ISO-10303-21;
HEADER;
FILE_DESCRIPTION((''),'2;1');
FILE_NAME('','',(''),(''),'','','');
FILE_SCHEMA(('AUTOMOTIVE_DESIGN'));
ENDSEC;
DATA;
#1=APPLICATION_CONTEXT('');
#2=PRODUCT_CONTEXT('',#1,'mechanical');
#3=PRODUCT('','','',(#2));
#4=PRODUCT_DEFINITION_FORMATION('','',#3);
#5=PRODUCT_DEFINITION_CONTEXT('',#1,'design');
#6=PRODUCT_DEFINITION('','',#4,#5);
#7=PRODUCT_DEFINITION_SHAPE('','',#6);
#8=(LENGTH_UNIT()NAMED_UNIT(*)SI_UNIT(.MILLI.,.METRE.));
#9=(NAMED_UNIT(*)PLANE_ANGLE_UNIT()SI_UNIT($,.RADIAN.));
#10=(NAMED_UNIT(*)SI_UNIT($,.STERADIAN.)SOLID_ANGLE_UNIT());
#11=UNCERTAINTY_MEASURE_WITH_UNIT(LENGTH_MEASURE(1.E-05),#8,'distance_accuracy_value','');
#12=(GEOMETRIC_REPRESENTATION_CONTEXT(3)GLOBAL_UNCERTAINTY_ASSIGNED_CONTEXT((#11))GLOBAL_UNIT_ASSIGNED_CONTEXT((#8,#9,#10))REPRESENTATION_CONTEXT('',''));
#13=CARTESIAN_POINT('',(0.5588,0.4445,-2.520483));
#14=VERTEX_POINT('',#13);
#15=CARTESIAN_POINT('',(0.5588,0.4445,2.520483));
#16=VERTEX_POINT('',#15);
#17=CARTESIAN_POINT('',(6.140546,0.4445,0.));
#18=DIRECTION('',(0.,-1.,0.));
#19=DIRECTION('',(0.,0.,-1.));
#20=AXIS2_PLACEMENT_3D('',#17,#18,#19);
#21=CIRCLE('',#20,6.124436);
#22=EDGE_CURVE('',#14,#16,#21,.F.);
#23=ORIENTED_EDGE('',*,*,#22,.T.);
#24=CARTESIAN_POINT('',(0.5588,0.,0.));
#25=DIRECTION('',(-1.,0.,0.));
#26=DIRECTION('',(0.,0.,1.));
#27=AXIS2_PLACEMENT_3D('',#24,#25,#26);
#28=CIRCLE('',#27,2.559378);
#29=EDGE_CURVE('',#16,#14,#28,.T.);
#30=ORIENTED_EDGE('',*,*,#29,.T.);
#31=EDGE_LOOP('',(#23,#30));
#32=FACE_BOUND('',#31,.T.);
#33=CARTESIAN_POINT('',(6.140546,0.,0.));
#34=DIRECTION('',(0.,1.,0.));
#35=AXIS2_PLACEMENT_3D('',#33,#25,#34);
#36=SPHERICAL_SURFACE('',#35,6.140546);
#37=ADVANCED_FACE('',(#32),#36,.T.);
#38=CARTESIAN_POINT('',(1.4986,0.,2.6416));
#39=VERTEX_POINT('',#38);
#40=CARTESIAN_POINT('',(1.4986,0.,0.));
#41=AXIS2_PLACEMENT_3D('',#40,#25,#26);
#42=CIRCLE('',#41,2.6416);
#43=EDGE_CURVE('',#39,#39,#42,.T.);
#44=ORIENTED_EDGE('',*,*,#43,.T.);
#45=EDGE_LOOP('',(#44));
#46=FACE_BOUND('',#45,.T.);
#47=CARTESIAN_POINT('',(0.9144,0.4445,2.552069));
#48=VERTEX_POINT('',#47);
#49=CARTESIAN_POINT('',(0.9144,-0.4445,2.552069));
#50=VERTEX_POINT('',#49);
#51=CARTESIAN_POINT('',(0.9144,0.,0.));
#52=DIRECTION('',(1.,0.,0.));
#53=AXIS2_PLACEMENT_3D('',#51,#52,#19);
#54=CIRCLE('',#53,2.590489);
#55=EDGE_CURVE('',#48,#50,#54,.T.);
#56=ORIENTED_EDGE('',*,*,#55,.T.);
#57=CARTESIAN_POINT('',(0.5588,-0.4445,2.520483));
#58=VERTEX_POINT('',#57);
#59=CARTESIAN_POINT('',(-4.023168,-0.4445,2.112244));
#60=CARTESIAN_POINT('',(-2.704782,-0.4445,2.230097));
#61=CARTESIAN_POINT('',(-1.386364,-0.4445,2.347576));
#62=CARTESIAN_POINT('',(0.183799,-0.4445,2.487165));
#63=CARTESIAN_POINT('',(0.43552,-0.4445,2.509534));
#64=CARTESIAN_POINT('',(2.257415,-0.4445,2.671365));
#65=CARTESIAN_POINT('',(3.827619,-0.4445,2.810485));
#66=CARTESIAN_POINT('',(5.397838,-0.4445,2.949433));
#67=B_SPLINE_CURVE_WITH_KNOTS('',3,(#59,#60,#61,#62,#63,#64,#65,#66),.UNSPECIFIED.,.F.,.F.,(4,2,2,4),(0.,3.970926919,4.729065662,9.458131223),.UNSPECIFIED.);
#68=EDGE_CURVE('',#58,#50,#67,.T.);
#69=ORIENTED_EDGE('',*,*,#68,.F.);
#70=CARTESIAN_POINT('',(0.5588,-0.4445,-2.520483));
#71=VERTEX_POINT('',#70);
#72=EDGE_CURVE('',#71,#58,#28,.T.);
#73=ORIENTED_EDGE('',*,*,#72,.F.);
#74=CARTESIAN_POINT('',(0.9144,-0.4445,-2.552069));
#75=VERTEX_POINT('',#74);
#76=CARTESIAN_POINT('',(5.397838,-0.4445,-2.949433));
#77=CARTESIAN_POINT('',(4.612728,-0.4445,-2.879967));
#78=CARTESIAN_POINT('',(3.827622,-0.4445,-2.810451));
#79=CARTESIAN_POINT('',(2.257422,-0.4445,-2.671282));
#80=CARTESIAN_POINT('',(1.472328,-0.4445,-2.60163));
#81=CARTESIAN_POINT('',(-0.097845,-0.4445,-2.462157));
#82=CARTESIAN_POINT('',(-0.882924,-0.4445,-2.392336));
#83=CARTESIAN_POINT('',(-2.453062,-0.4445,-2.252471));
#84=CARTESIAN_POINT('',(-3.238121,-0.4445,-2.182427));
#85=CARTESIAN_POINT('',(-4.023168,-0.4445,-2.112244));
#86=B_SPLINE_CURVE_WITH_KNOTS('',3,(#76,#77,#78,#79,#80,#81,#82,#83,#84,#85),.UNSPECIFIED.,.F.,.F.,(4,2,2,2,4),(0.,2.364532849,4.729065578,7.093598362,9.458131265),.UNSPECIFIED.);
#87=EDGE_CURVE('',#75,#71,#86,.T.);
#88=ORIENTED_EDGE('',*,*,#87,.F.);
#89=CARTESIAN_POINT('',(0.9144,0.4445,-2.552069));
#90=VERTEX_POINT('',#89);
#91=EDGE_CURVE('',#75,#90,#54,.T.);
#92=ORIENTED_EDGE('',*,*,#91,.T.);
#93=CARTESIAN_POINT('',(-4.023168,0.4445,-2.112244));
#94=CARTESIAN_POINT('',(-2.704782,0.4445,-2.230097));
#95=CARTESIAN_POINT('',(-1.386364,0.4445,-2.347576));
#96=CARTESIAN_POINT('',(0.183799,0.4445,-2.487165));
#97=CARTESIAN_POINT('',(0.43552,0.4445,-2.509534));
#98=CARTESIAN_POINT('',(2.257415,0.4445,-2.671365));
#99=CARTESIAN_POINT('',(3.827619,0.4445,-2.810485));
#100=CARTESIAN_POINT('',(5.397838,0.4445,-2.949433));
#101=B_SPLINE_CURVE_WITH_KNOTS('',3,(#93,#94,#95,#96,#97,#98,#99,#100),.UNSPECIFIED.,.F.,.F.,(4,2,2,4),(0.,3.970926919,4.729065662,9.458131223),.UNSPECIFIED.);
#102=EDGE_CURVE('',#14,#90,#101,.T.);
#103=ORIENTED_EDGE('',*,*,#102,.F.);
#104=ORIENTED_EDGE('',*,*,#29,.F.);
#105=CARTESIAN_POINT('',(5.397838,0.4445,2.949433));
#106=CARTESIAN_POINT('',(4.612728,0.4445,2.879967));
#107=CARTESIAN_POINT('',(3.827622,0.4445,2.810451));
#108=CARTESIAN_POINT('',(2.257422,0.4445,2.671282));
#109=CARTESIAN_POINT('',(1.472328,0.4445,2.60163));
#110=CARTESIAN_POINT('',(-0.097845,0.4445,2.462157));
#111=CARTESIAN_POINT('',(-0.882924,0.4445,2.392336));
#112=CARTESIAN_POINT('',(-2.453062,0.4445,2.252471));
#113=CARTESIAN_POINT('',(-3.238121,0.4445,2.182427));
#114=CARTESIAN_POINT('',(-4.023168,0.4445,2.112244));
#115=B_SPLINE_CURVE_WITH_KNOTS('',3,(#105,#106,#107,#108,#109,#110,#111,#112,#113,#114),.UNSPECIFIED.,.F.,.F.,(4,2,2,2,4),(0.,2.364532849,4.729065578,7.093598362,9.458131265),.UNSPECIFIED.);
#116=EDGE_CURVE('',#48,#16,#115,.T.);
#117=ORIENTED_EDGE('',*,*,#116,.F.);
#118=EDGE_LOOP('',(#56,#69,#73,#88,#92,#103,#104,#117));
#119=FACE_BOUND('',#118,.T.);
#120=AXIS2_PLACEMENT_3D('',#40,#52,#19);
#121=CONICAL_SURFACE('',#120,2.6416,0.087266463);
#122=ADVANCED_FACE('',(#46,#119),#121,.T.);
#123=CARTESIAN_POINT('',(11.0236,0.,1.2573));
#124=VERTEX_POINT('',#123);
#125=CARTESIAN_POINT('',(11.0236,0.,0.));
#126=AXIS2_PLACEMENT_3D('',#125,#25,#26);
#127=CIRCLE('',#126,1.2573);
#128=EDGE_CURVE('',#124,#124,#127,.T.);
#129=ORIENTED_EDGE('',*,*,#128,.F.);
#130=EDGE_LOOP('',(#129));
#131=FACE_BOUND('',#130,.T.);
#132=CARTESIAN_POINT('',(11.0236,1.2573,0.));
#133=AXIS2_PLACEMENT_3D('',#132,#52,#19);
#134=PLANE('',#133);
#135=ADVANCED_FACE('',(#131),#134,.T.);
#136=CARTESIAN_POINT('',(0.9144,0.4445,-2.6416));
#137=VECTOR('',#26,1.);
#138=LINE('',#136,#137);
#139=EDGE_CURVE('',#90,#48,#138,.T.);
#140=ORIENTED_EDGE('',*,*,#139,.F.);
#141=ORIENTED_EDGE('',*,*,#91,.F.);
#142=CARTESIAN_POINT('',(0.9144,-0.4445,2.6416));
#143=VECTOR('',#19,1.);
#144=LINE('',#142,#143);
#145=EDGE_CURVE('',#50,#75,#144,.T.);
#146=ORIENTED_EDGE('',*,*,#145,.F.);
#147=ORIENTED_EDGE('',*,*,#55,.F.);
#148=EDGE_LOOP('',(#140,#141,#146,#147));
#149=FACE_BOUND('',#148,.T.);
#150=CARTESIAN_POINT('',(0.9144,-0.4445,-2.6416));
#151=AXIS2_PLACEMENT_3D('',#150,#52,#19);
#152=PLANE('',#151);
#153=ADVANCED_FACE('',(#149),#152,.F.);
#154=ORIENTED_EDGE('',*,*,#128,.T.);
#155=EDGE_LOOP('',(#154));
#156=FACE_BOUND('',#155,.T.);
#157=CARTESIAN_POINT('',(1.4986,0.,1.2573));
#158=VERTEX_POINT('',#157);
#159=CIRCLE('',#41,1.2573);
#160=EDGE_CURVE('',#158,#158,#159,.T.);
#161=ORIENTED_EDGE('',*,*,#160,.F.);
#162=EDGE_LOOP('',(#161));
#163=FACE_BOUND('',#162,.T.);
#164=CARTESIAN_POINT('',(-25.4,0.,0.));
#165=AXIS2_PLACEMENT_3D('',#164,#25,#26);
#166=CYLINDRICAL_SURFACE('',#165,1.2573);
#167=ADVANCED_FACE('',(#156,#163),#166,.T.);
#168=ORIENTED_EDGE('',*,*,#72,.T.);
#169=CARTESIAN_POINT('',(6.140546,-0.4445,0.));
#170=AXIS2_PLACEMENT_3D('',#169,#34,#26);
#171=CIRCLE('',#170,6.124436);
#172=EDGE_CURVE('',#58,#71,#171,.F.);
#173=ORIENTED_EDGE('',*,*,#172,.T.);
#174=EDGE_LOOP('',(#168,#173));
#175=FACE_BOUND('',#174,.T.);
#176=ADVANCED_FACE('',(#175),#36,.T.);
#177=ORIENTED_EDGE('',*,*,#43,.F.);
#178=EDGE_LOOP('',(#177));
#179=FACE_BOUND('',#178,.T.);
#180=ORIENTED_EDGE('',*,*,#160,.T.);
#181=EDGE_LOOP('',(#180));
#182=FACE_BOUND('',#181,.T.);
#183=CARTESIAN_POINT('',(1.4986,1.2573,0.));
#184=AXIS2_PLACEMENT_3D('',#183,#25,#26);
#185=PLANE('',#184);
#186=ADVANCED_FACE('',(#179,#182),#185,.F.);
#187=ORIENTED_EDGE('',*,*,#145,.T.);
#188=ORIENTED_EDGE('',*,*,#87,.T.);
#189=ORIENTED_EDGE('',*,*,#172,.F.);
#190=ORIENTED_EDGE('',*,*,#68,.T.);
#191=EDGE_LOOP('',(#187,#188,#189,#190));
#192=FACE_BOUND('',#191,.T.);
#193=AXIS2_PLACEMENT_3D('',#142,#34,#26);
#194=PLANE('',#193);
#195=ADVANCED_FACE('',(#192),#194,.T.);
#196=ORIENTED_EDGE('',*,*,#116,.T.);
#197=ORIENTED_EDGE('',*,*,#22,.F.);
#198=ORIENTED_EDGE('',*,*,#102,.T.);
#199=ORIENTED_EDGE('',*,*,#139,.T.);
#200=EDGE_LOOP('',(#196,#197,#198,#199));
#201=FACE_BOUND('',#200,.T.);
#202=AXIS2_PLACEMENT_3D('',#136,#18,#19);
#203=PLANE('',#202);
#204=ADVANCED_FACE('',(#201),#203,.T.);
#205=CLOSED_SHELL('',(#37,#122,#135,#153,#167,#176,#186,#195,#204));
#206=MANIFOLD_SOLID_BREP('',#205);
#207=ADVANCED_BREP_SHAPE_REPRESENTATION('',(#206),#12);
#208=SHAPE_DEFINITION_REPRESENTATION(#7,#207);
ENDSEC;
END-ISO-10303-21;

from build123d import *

# Parameters (mm, degrees)
SKETCH2_W  = 5.2832
SKETCH2_H  = 0.889
SLOT_DEPTH = 0.9144


with BuildPart() as part:
    # BodySke → Base-Revolve (revolve)
    with BuildSketch(Plane.XY, mode=Mode.PRIVATE) as base_revolve_sk:
        with BuildLine():
            Line((1.4986, 1.2573), (1.4986, 2.6416))
            Line((1.4986, 2.6416), (0.5588, 2.559378154))
            ThreePointArc((0.5588, 2.559378154), (0.141326332, 1.309835293), (0, 0))
            Line((0, 0), (11.0236, 0))
            Line((11.0236, 0), (11.0236, 1.2573))
            Line((11.0236, 1.2573), (1.4986, 1.2573))
        make_face()
    revolve(base_revolve_sk.sketch.rotate(Axis((-25.4, 0, 0), (1, 0, 0)), 90), axis=Axis((-25.4, 0, 0), (1, 0, 0)))

    # Sketch2 → Slot (cut)
    with BuildSketch(Plane(origin=(0, 0, 0), x_dir=(0, 0, -1), z_dir=(1, 0, 0))):
        Rectangle(SKETCH2_W, SKETCH2_H)
    extrude(amount=SLOT_DEPTH, mode=Mode.SUBTRACT)


solid = part.part
